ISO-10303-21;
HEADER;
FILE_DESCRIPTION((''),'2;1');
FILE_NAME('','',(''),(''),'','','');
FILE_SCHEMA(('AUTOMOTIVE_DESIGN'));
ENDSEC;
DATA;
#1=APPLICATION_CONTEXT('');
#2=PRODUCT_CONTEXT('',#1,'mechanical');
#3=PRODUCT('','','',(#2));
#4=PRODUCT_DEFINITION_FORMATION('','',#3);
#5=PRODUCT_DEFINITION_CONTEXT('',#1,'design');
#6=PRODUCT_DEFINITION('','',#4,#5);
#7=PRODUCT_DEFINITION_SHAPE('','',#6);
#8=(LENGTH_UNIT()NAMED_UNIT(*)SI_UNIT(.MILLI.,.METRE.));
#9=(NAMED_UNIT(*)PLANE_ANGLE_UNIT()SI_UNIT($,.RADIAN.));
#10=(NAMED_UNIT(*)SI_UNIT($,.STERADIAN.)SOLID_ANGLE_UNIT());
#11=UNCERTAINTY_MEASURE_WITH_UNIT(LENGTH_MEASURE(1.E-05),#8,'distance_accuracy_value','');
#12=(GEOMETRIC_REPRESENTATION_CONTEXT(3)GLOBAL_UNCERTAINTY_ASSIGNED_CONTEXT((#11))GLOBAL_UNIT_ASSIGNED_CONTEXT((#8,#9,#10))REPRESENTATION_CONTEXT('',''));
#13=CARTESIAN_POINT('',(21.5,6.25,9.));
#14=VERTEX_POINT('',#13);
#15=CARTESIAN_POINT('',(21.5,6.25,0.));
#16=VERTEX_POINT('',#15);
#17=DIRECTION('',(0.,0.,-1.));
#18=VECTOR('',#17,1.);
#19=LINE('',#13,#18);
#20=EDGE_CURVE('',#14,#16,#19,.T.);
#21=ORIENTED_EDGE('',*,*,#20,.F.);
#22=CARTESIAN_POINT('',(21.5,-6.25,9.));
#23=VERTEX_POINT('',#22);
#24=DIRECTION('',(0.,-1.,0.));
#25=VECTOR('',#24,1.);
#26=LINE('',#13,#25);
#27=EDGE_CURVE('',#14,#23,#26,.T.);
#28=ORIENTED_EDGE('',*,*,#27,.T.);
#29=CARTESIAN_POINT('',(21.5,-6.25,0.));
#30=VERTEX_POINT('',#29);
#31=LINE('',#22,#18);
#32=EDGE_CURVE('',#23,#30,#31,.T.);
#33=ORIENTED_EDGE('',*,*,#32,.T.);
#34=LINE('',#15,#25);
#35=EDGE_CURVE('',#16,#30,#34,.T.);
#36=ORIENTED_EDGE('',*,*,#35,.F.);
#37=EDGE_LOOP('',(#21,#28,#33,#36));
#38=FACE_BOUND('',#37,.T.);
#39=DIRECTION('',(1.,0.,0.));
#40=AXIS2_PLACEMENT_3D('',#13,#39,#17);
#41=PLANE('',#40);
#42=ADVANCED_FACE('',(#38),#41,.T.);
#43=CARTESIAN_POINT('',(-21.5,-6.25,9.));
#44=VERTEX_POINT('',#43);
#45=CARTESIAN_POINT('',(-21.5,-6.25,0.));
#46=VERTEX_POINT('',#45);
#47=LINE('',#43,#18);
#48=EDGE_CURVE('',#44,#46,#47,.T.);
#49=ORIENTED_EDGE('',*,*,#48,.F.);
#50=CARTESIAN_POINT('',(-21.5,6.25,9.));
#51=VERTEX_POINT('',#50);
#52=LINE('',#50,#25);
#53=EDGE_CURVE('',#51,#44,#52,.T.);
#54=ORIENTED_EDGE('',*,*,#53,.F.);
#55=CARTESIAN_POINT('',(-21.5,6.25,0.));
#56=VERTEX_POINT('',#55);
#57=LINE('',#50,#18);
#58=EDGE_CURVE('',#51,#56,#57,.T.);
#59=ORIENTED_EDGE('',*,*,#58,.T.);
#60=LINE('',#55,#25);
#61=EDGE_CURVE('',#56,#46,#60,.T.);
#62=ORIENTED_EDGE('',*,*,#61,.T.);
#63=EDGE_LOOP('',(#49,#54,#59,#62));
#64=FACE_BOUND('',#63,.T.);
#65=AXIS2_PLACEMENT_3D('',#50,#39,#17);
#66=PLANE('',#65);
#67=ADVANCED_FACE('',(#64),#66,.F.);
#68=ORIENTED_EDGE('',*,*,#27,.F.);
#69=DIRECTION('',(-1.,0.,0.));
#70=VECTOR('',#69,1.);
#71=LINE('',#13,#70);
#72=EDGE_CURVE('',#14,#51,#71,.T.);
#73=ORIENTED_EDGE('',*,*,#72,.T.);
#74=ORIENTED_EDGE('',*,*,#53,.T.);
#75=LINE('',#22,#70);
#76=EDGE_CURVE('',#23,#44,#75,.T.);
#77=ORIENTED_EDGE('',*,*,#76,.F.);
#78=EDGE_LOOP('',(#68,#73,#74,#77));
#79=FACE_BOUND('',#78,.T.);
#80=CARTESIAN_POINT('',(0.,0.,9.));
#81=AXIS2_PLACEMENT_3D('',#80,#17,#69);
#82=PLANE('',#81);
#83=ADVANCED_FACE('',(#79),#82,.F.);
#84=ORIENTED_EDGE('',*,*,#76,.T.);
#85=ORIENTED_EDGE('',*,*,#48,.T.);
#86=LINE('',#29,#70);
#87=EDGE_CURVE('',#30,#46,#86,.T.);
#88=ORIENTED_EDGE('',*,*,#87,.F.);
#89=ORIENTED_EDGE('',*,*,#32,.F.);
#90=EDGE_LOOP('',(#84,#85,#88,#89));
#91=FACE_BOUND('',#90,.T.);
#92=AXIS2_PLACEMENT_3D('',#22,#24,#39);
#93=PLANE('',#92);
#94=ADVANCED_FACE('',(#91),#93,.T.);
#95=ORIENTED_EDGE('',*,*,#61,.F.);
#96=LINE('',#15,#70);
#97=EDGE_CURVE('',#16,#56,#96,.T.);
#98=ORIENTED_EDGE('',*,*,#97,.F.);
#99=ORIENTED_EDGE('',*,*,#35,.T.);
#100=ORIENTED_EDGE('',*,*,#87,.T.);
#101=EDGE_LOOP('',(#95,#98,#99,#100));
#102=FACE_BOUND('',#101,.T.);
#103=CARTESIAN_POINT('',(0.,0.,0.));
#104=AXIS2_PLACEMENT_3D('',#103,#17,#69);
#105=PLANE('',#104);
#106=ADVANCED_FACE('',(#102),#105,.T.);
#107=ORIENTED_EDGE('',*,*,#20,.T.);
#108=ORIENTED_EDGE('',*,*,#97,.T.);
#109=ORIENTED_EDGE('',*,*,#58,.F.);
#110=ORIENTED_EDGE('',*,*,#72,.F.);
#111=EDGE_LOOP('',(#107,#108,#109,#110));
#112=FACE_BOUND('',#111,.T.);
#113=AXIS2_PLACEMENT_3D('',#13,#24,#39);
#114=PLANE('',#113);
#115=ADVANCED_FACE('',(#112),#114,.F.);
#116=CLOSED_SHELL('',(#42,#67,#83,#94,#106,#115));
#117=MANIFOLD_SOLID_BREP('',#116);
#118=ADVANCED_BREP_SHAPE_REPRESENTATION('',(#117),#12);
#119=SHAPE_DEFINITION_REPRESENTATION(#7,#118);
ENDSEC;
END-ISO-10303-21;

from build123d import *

# Parameters (mm, degrees)
SKETCH1_W           = 43
SKETCH1_H           = 12.5
BOSS_EXTRUDE1_DEPTH = 9


with BuildPart() as part:
    # Sketch1 → Boss-Extrude1 (new body)
    with BuildSketch(Plane(origin=(169.49387324, 0, 0), x_dir=(1, 0, 0), z_dir=(0, 0, 1))):
        with Locations((-169.49387324, 0)):
            Rectangle(SKETCH1_W, SKETCH1_H)
    extrude(amount=BOSS_EXTRUDE1_DEPTH)


solid = part.part
